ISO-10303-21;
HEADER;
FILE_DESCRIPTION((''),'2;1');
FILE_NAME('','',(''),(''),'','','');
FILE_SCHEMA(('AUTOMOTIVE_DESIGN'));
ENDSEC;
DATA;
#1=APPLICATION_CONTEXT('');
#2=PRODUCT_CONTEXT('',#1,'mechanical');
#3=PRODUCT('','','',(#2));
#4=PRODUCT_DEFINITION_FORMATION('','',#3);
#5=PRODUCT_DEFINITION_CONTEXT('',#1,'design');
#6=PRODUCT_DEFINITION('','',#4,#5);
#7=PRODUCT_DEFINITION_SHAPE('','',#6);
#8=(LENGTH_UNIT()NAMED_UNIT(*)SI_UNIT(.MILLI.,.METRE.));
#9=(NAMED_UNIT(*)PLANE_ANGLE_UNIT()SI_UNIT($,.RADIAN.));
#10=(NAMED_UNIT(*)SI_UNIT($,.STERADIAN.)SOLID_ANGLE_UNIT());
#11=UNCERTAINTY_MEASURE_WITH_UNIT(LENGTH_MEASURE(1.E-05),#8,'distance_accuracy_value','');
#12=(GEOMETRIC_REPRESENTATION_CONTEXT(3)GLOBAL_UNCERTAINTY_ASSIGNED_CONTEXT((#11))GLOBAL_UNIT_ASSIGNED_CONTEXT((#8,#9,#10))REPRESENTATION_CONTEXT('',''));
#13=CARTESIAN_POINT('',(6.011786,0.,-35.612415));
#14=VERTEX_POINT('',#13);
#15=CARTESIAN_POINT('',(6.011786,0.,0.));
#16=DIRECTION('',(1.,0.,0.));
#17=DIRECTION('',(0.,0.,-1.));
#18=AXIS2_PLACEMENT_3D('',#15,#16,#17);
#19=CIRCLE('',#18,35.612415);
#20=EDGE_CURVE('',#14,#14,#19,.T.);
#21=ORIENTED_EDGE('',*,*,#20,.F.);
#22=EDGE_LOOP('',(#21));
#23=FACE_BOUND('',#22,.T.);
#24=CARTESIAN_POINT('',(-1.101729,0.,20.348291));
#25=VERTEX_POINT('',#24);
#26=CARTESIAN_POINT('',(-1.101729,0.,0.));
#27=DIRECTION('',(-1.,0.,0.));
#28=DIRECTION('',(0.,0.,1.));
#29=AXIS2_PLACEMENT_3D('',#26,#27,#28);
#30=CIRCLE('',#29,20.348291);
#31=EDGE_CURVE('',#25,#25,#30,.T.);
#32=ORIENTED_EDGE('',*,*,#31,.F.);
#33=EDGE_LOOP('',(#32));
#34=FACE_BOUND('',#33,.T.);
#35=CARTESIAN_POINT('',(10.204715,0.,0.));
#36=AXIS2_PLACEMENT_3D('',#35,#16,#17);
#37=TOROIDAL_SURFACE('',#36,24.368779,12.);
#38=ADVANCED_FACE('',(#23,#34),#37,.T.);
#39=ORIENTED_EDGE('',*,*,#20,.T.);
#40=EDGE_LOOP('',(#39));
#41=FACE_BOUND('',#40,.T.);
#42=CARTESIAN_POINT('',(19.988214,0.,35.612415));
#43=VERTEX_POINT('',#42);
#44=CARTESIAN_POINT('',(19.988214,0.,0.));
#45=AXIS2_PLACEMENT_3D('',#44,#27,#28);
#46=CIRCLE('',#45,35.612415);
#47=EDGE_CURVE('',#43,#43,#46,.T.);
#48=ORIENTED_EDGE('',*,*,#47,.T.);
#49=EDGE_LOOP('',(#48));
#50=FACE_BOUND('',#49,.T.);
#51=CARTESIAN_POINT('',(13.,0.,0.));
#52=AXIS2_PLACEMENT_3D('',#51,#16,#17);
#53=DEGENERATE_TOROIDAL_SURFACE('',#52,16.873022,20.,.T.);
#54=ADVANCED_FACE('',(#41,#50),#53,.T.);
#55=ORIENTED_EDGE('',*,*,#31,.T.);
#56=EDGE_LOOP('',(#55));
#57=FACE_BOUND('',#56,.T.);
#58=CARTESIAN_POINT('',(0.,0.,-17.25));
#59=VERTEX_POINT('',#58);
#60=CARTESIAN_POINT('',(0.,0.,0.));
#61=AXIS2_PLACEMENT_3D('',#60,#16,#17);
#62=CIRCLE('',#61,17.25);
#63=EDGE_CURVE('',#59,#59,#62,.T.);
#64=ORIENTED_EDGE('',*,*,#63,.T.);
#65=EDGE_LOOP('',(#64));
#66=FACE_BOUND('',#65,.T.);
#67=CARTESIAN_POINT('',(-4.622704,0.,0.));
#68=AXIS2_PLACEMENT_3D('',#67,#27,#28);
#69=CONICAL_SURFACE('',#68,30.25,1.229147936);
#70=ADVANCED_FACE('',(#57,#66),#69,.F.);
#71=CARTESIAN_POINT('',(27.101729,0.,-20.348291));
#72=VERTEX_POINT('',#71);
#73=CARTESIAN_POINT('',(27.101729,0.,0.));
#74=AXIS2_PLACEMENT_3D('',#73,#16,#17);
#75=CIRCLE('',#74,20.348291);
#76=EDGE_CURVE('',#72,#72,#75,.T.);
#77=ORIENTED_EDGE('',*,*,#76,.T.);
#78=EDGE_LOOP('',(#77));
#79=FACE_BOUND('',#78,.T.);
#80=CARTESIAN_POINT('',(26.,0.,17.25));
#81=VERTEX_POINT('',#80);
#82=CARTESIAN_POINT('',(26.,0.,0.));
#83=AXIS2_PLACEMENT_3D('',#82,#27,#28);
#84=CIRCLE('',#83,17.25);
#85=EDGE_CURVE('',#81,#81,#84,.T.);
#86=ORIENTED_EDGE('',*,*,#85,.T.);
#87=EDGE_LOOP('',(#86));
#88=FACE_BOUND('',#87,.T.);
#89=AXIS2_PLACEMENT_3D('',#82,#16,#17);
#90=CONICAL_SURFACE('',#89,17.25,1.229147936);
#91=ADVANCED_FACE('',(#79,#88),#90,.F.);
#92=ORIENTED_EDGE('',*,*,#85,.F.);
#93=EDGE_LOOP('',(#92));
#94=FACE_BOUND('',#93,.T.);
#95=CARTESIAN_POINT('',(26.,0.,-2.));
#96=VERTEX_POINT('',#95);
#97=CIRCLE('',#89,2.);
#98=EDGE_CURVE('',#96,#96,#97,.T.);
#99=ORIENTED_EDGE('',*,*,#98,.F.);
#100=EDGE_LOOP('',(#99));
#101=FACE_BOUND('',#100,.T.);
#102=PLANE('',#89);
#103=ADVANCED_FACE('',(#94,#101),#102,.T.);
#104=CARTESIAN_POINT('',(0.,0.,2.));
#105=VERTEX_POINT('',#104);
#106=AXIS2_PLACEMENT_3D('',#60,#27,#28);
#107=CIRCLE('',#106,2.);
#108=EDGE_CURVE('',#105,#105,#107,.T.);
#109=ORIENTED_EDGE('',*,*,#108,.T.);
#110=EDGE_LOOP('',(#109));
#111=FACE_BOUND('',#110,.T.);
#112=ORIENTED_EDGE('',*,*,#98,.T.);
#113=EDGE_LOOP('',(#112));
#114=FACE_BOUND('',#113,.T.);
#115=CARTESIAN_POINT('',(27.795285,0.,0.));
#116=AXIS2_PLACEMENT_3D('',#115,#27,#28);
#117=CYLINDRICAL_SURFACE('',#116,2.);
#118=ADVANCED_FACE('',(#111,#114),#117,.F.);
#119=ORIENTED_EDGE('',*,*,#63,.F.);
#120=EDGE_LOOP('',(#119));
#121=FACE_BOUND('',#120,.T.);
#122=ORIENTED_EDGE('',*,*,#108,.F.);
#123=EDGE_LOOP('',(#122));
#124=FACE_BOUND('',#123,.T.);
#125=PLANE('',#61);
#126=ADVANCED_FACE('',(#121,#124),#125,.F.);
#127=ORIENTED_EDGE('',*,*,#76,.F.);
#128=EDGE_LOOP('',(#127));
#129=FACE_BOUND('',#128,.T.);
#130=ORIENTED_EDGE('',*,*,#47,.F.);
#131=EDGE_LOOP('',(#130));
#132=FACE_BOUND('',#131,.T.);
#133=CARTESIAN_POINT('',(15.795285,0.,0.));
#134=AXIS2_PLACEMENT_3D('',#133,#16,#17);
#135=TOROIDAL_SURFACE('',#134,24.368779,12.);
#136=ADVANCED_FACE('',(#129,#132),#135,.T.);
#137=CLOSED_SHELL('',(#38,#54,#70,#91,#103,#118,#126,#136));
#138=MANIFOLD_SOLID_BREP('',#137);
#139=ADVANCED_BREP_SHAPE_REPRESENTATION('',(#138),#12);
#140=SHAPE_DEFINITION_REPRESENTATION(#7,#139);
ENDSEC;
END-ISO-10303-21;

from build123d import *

# Parameters (mm, degrees)
SKETCH1_R               = 17.25
BOSS_EXTRUDE1_DEPTH     = 26
FILLET1_R               = 20
FILLET2_R               = 12
SKETCH3_R               = 2
CUT_EXTRUDE1_DEPTH      = 2.795288953
CUT_EXTRUDE1_DEPTH_BACK = 28.795288953


with BuildPart() as part:
    # Sketch1 → Boss-Extrude1 (new body)
    with BuildSketch(Plane(origin=(0, 0, 0), x_dir=(0, 0, -1), z_dir=(1, 0, 0))):
        Circle(SKETCH1_R)
    extrude(amount=BOSS_EXTRUDE1_DEPTH)

    # Sketch2 → Revolve1 (revolve)
    with BuildSketch(Plane.XY):
        with BuildLine():
            Line((-4.622703996, 30.25), (0, 17.25))
            Line((0, 17.25), (26, 17.25))
            Line((26, 17.25), (30.622703996, 30.25))
            ThreePointArc((30.622703996, 30.25), (22.131370856, 34.751946348), (13, 37.75))
            ThreePointArc((13, 37.75), (3.868629144, 34.751946348), (-4.622703996, 30.25))
        make_face()
    revolve(axis=Axis((0, 0, 0), (1, 0, 0)))

    # Fillet1
    fillet1_edges = [part.edges().sort_by_distance(p)[0] for p in [
        (13, -37.75, 0),
    ]]
    fillet(fillet1_edges, radius=FILLET1_R)

    # Fillet2
    fillet2_edges = [part.edges().sort_by_distance(p)[0] for p in [
        (-4.622703996, -30.25, 0),
        (30.622703996, -30.25, 0),
    ]]
    fillet(fillet2_edges, radius=FILLET2_R)

    # Sketch3 → Cut-Extrude1 (cut, two sides)
    with BuildSketch(Plane.ZY) as cut_extrude1_sk:
        Circle(SKETCH3_R)
    extrude(amount=CUT_EXTRUDE1_DEPTH, mode=Mode.SUBTRACT)
    extrude(cut_extrude1_sk.sketch, amount=-CUT_EXTRUDE1_DEPTH_BACK, mode=Mode.SUBTRACT)


solid = part.part
